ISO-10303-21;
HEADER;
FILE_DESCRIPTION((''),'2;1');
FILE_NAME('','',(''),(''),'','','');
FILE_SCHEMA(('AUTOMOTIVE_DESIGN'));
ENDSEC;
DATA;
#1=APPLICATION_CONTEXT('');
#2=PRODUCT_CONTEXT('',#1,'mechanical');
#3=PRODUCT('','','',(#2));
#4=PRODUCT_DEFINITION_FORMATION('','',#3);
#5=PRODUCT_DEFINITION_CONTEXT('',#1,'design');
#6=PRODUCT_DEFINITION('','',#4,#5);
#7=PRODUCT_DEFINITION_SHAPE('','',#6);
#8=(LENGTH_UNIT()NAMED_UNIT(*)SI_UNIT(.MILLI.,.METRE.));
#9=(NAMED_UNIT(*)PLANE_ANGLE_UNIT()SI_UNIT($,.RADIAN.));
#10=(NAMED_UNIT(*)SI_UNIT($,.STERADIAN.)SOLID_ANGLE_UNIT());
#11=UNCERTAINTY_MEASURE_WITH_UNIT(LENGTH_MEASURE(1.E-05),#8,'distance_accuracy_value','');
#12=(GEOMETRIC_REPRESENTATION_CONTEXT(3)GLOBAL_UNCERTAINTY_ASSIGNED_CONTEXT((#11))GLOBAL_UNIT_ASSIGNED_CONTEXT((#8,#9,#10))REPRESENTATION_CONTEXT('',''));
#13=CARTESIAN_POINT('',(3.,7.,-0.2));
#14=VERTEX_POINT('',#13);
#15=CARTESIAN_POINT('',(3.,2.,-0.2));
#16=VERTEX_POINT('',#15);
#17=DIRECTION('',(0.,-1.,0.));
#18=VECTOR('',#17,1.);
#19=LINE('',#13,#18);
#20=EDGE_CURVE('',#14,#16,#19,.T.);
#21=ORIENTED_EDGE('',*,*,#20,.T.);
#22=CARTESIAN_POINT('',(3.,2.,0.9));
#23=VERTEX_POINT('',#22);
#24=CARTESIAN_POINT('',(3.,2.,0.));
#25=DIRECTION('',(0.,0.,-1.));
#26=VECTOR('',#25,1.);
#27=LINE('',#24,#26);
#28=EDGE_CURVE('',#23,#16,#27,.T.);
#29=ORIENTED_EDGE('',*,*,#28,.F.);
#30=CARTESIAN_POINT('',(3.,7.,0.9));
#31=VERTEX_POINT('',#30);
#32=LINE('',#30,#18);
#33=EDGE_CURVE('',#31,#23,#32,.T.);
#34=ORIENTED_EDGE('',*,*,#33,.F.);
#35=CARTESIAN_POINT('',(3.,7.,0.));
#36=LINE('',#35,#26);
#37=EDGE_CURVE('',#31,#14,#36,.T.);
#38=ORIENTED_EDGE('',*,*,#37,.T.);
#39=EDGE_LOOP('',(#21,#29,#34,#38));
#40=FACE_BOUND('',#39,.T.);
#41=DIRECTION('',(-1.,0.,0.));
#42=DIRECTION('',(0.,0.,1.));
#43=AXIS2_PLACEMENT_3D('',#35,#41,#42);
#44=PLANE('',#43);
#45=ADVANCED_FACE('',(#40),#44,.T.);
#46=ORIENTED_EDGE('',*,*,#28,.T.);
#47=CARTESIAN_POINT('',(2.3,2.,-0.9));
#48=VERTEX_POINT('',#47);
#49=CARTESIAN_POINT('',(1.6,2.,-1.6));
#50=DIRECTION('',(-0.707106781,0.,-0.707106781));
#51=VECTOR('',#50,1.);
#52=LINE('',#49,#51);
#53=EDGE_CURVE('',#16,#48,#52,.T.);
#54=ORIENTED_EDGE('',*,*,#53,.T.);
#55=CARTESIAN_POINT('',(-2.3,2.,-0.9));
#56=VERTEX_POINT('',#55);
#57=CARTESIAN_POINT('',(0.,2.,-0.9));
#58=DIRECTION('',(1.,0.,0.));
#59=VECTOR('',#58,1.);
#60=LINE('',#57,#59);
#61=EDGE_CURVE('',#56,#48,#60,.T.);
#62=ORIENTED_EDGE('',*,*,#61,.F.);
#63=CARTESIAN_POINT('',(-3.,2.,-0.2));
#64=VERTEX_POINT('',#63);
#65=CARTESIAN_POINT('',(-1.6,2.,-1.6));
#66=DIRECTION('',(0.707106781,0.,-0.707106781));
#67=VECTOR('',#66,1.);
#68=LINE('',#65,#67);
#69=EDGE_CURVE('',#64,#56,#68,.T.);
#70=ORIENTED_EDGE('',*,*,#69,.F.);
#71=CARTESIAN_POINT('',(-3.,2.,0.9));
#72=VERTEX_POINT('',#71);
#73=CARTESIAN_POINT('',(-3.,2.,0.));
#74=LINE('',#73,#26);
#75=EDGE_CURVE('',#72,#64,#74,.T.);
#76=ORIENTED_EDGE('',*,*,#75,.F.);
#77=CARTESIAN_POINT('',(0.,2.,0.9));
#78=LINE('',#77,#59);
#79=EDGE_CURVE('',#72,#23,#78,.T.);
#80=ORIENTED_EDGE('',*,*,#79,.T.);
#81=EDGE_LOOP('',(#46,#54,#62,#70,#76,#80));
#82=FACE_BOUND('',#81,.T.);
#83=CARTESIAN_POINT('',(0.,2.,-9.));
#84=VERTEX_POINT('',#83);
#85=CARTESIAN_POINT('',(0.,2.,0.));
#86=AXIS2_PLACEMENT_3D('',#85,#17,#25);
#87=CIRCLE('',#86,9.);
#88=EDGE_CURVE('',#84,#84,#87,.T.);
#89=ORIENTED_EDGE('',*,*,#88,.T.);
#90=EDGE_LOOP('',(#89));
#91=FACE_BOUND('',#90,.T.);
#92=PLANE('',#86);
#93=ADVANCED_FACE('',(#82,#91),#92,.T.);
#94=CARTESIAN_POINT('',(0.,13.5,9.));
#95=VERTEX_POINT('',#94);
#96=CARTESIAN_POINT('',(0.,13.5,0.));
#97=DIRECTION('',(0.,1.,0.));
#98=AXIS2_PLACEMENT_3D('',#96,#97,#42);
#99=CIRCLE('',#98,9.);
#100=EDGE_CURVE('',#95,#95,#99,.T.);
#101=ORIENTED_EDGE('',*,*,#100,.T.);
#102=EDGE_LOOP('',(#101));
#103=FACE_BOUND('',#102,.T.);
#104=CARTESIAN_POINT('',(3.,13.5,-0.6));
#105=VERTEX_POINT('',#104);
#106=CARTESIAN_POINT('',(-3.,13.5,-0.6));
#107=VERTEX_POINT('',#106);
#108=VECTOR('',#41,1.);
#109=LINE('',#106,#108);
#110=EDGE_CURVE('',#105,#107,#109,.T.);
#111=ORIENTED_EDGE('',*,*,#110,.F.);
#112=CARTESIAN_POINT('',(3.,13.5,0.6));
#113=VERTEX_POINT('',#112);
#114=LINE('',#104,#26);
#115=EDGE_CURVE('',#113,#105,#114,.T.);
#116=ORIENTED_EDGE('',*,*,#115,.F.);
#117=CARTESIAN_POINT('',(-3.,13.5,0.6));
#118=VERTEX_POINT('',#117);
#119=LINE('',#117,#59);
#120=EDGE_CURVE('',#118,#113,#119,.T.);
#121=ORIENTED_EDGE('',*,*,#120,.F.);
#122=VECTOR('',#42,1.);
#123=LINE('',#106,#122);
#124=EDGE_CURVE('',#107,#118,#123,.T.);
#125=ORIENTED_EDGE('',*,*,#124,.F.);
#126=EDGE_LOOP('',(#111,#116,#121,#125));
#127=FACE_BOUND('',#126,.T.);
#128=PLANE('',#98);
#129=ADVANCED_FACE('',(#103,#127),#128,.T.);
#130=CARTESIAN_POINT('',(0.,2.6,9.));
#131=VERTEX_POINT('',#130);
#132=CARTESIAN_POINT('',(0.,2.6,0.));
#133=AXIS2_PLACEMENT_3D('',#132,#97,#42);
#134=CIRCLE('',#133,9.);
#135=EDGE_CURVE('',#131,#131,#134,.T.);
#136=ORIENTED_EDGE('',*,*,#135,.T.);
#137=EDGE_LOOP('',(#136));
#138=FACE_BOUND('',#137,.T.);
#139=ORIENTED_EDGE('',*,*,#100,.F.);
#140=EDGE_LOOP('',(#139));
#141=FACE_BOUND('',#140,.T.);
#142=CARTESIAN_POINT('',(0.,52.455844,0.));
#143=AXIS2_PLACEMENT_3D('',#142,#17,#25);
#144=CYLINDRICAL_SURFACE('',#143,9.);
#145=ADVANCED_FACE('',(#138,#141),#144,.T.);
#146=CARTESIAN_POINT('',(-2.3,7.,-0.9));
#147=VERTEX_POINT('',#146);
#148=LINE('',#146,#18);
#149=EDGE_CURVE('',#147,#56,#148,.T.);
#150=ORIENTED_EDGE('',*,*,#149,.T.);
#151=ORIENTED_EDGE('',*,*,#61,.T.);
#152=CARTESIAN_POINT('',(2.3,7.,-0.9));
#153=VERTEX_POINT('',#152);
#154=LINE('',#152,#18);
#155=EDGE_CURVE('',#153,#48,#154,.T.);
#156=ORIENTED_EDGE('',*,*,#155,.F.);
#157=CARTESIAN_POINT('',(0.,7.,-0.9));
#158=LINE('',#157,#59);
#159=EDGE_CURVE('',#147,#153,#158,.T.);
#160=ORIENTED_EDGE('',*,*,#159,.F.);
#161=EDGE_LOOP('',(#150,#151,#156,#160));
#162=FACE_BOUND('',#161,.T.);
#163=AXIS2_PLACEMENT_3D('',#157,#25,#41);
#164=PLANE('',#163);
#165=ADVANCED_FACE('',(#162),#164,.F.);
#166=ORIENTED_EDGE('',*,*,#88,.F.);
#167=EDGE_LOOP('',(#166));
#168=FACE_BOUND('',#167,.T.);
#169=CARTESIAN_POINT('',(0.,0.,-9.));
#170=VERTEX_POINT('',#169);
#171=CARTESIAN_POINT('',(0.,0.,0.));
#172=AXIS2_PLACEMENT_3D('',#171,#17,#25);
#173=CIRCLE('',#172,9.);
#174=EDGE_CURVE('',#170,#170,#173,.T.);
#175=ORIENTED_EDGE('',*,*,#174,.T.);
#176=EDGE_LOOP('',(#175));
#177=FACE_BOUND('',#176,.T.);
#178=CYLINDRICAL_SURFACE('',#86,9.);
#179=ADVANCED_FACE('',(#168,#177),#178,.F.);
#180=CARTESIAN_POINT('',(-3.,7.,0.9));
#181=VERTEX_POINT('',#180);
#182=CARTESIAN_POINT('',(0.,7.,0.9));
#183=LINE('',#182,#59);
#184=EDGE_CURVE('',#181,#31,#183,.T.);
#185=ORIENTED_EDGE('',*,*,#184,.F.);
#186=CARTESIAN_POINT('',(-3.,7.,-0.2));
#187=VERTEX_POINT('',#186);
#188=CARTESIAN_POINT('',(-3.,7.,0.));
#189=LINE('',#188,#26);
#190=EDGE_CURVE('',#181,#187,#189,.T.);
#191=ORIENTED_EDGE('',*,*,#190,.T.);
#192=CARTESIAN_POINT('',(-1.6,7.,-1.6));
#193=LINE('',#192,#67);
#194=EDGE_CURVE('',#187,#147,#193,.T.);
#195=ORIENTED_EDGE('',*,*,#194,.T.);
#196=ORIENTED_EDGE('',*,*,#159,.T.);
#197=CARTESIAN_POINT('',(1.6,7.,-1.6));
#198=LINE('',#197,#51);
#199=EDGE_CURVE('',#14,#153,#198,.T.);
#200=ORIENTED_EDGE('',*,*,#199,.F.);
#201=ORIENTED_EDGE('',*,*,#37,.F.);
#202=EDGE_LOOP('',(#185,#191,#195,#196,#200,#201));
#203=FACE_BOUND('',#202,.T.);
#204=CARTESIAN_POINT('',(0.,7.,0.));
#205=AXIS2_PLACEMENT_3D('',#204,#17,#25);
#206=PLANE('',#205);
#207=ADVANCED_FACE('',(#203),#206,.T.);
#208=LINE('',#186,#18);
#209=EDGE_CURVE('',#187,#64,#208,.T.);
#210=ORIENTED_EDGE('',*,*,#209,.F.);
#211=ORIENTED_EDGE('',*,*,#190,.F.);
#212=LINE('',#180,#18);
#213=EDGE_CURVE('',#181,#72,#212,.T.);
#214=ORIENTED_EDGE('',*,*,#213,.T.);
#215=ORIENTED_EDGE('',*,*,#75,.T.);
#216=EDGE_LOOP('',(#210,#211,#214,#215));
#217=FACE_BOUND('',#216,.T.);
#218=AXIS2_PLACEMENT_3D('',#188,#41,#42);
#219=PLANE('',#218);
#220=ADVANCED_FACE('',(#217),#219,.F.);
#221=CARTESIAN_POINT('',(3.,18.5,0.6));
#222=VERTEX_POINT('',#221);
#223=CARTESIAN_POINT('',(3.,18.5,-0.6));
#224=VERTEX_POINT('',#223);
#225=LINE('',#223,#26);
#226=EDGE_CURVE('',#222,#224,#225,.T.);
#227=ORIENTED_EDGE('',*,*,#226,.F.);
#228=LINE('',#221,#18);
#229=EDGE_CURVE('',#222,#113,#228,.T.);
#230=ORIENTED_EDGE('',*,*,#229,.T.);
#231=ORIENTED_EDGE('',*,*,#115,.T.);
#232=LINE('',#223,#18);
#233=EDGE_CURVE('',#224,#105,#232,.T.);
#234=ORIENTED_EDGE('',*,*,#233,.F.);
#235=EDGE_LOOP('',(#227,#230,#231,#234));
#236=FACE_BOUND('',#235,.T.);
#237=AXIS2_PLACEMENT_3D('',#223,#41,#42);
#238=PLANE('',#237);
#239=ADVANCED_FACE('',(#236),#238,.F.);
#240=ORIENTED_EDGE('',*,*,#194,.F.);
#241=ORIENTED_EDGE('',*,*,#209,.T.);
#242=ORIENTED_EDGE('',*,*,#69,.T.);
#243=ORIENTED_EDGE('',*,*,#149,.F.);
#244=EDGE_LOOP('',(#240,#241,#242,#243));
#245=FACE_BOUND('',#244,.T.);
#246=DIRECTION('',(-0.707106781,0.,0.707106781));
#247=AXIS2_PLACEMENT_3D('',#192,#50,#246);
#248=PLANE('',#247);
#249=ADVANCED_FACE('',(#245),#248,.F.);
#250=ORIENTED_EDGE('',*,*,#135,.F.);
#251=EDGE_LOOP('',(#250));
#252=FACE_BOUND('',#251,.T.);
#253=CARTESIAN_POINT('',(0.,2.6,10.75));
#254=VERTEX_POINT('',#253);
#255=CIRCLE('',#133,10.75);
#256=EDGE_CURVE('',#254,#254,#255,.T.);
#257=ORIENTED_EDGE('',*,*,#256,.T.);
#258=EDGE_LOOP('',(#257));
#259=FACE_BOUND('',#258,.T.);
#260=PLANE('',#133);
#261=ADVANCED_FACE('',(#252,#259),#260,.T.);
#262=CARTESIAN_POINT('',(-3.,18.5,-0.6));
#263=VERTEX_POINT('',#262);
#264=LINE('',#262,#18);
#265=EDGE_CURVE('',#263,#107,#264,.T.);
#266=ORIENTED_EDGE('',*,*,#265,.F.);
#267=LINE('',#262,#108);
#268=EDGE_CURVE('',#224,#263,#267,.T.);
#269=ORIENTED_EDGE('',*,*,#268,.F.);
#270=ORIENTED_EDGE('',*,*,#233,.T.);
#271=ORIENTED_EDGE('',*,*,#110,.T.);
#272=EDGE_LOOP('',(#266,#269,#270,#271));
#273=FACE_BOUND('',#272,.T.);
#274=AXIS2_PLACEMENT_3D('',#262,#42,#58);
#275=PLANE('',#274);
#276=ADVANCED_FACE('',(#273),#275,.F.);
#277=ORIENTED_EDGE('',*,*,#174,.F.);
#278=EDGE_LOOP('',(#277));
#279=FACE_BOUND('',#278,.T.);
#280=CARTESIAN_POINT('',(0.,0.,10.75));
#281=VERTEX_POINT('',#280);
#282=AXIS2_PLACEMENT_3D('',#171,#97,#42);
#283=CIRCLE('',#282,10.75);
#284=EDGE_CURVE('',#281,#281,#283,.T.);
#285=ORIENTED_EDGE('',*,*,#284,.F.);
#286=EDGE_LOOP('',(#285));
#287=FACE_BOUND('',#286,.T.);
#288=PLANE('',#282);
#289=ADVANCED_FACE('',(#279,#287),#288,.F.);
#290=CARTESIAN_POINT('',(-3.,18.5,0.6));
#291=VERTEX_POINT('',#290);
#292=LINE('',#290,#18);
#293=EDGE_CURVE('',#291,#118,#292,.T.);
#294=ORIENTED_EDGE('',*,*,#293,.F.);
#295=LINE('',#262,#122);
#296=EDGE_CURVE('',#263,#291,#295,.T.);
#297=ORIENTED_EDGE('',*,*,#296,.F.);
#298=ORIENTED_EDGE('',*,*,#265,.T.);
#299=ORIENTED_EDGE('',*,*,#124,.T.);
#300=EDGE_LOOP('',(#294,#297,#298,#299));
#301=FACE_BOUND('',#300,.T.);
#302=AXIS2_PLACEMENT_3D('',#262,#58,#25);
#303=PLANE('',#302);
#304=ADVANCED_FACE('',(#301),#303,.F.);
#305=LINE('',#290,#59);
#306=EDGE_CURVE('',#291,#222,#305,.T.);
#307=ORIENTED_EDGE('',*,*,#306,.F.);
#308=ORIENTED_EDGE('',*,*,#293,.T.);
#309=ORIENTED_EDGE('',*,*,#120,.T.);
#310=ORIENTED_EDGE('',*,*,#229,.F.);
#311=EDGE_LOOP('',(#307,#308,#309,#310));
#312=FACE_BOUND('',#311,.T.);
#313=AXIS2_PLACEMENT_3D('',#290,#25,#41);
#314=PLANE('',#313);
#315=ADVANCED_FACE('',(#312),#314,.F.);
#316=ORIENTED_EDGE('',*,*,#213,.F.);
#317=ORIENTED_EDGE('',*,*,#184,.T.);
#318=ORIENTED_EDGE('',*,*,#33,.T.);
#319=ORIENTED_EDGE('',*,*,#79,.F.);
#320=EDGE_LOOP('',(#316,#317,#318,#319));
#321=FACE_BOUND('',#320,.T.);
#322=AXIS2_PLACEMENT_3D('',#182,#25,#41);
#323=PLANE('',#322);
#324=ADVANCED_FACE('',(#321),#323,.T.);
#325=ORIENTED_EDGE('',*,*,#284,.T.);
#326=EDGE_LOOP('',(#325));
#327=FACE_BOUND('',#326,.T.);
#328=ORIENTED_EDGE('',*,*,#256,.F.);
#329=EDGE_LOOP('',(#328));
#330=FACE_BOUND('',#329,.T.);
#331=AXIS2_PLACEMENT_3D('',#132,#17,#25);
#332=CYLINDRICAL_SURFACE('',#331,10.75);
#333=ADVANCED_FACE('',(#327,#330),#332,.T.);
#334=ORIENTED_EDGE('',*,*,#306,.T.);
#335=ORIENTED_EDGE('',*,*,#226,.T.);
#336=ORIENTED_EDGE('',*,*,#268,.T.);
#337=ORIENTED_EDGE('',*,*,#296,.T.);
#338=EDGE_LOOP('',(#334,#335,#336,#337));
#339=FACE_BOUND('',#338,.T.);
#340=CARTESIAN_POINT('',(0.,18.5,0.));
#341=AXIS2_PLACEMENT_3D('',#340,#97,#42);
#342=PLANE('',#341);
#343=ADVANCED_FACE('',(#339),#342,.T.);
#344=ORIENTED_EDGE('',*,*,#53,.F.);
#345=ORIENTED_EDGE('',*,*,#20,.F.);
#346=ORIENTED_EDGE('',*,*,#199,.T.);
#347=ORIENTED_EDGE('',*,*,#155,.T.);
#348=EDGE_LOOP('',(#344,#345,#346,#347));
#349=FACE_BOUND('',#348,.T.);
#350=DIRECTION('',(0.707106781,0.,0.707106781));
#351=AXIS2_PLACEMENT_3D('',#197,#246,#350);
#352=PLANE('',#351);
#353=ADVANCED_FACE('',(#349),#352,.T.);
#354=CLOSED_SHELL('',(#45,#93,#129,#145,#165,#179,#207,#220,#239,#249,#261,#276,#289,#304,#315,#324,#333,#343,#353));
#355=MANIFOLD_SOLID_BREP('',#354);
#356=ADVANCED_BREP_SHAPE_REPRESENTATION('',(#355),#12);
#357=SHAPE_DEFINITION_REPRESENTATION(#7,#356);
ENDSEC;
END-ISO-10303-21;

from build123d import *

# Parameters (mm, degrees)
SKETCH1_R           = 10.75
BOSS_EXTRUDE1_DEPTH = 2.6
SKETCH2_R           = 9
BOSS_EXTRUDE2_DEPTH = 10.9
SKETCH3_W           = 6
SKETCH3_H           = 1.2
BOSS_EXTRUDE3_DEPTH = 5
SKETCH4_R           = 9
CUT_EXTRUDE2_DEPTH  = 2
CUT_EXTRUDE3_DEPTH  = 5


with BuildPart() as part:
    # Sketch1 → Boss-Extrude1 (new body)
    with BuildSketch(Plane(origin=(0, 0, 0), x_dir=(1, 0, 0), z_dir=(0, 1, 0))):
        Circle(SKETCH1_R)
    extrude(amount=BOSS_EXTRUDE1_DEPTH)

    # Sketch2 → Boss-Extrude2 (add)
    with BuildSketch(Plane(origin=(0, 2.6, 0), x_dir=(1, 0, 0), z_dir=(0, 1, 0))):
        Circle(SKETCH2_R)
    extrude(amount=BOSS_EXTRUDE2_DEPTH)

    # Sketch3 → Boss-Extrude3 (add)
    with BuildSketch(Plane(origin=(0, 13.5, 0), x_dir=(1, 0, 0), z_dir=(0, 1, 0))):
        Rectangle(SKETCH3_W, SKETCH3_H)
    extrude(amount=BOSS_EXTRUDE3_DEPTH)

    # Sketch4 → Cut-Extrude2 (cut)
    with BuildSketch(Plane.XZ):
        Circle(SKETCH4_R)
    extrude(amount=-CUT_EXTRUDE2_DEPTH, mode=Mode.SUBTRACT)

    # Sketch5 → Cut-Extrude3 (cut)
    with BuildSketch(Plane.XZ.offset(-2)):
        Polygon((-3, 0.9), (-3, -0.2), (-2.3, -0.9), (2.3, -0.9), (3, -0.2), (3, 0.9), align=None)
    extrude(amount=-CUT_EXTRUDE3_DEPTH, mode=Mode.SUBTRACT)


solid = part.part
